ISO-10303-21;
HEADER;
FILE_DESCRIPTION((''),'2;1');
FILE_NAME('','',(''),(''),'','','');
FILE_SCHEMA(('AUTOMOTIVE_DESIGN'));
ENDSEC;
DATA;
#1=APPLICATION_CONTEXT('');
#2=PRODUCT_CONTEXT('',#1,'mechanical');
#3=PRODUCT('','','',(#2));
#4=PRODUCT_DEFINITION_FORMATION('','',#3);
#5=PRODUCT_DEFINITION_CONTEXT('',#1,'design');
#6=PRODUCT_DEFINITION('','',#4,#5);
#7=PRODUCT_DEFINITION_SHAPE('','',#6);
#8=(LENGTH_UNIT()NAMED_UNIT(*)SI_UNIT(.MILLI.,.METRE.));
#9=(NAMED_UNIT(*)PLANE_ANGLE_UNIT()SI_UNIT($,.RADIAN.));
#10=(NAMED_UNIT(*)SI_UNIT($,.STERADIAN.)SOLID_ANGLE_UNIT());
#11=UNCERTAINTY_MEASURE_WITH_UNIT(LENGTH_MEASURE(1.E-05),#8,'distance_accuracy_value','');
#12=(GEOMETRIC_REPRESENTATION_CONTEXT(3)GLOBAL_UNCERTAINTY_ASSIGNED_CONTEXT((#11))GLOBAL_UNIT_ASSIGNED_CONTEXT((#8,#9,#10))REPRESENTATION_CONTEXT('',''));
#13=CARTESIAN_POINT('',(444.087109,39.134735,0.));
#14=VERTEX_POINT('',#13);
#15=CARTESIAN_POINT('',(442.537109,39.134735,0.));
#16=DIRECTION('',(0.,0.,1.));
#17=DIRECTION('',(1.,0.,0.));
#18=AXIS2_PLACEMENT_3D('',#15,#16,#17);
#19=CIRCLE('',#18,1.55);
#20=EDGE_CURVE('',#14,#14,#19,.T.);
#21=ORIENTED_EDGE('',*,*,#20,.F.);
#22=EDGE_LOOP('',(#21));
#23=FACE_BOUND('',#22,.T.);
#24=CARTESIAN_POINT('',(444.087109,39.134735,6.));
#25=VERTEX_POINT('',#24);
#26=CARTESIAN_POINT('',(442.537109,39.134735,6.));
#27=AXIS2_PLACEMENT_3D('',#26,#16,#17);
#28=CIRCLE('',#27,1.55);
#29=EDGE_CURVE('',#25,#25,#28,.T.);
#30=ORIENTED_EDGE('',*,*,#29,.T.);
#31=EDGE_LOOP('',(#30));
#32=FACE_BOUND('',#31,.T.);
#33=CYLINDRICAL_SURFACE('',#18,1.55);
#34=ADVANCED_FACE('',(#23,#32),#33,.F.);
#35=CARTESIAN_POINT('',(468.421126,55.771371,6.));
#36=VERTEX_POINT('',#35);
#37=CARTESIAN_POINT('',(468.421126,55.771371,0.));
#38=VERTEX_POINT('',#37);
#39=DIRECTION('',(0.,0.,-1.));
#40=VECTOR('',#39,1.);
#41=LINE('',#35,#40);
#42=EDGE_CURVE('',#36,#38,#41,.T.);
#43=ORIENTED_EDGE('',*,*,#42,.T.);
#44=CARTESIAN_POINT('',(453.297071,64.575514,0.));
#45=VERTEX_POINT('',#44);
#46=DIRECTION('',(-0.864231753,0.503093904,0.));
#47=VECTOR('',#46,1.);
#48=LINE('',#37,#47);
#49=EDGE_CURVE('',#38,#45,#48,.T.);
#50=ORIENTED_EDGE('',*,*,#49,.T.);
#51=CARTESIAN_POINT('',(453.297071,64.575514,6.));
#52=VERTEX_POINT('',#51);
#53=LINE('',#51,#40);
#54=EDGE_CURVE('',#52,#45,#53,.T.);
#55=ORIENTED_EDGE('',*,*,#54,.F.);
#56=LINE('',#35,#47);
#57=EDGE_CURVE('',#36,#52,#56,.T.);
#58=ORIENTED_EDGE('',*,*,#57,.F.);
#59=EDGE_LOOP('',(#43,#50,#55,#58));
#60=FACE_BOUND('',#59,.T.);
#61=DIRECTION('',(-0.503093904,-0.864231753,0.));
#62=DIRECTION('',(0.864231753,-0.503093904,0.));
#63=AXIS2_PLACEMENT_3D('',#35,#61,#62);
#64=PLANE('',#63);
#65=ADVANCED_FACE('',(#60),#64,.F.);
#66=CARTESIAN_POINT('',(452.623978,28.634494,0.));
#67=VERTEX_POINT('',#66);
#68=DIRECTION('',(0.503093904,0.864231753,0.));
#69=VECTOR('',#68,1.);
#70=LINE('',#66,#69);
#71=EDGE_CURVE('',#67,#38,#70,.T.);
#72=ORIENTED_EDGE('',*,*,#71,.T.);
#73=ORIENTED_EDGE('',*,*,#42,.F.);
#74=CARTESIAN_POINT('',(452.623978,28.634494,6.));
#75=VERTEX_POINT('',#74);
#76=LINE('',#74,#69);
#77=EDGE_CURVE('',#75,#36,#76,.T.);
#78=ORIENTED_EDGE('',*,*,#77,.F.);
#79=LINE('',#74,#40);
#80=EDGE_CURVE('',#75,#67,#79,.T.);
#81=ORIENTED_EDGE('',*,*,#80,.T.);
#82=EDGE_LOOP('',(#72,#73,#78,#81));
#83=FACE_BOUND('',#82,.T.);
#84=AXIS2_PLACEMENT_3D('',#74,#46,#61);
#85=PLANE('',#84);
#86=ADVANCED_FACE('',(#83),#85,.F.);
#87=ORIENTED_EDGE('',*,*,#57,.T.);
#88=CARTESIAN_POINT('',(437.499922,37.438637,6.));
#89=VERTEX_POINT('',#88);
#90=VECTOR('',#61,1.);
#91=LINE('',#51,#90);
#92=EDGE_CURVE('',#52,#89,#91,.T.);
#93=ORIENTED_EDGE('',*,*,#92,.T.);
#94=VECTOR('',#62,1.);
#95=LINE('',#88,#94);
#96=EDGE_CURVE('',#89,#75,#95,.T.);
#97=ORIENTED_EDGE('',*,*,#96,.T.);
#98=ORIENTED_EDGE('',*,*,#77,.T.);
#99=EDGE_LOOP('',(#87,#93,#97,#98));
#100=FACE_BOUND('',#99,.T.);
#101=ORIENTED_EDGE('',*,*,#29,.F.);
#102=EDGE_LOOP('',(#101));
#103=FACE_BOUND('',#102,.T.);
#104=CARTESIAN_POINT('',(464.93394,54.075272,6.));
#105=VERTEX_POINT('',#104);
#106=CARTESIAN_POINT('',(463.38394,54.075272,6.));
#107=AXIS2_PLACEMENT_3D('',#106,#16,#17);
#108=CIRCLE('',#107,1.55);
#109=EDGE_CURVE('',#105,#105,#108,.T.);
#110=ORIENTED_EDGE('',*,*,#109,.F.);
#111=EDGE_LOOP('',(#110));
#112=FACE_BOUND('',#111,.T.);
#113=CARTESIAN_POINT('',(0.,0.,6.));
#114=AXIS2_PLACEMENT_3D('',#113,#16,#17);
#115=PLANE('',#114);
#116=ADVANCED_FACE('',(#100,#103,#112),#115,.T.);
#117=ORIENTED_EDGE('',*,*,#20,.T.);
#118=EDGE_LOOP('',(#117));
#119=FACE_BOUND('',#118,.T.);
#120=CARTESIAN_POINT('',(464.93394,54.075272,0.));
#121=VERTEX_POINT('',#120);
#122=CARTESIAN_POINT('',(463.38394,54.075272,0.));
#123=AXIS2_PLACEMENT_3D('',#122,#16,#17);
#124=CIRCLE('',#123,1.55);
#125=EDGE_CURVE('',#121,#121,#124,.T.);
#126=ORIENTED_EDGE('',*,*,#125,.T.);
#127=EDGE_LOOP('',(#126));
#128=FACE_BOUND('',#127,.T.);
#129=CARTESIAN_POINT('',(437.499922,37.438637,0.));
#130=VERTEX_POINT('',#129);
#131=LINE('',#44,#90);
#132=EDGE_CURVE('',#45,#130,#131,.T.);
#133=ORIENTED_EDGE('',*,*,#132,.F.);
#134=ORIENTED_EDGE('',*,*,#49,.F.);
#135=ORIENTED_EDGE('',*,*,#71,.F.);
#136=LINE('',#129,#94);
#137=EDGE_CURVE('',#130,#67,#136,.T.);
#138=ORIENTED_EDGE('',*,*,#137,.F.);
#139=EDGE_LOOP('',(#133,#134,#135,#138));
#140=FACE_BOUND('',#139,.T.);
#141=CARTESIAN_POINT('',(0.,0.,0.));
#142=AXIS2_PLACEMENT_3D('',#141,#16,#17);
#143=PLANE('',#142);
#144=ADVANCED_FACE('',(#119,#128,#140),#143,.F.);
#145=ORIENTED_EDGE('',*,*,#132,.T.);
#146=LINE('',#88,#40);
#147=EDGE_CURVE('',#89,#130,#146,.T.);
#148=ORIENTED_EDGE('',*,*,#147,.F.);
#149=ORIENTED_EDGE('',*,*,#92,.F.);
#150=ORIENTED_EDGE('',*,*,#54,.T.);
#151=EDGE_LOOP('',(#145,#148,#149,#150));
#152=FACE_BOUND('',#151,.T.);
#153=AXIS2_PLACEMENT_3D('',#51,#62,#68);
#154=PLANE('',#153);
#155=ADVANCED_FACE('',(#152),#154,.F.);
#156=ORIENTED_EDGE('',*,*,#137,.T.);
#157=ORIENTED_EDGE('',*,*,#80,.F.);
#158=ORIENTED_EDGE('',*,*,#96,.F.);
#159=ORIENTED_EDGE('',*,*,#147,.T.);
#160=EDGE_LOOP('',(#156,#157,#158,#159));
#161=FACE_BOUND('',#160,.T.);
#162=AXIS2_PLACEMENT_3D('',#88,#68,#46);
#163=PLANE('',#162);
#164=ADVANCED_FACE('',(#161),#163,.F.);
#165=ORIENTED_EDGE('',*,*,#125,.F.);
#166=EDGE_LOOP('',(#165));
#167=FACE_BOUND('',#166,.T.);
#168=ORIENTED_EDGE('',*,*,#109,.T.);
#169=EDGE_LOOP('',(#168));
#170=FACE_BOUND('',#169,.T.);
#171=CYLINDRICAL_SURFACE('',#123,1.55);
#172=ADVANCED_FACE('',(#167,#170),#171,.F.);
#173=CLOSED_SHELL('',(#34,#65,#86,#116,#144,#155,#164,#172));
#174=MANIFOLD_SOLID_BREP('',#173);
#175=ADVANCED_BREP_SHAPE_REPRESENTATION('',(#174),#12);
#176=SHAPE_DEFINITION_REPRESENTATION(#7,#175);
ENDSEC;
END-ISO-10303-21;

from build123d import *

# Parameters (mm, degrees)
DODANIE_WYCI_GNI_CIE1_DEPTH = 6
SZKIC2_R                    = 1.55
WYTNIJ_WYCI_GNI_CIE1_DEPTH  = 6


with BuildPart() as part:
    # Szkic1 → Dodanie-wyciągnięcie1 (new body)
    with BuildSketch(Plane.XY):
        Polygon((437.49992202, 37.438636987), (452.623977701, 28.634493658), (468.421126301, 55.77137071), (453.29707062, 64.575514038), align=None)
    extrude(amount=DODANIE_WYCI_GNI_CIE1_DEPTH)

    # Szkic2 → Wytnij-wyciągnięcie1 (cut)
    with BuildSketch(Plane.XY.offset(6)):
        with Locations((463.383939547, 54.075272363)):
            Circle(SZKIC2_R)
        with Locations((442.537108774, 39.134735334)):
            Circle(SZKIC2_R)
    extrude(amount=-WYTNIJ_WYCI_GNI_CIE1_DEPTH, mode=Mode.SUBTRACT)


solid = part.part
